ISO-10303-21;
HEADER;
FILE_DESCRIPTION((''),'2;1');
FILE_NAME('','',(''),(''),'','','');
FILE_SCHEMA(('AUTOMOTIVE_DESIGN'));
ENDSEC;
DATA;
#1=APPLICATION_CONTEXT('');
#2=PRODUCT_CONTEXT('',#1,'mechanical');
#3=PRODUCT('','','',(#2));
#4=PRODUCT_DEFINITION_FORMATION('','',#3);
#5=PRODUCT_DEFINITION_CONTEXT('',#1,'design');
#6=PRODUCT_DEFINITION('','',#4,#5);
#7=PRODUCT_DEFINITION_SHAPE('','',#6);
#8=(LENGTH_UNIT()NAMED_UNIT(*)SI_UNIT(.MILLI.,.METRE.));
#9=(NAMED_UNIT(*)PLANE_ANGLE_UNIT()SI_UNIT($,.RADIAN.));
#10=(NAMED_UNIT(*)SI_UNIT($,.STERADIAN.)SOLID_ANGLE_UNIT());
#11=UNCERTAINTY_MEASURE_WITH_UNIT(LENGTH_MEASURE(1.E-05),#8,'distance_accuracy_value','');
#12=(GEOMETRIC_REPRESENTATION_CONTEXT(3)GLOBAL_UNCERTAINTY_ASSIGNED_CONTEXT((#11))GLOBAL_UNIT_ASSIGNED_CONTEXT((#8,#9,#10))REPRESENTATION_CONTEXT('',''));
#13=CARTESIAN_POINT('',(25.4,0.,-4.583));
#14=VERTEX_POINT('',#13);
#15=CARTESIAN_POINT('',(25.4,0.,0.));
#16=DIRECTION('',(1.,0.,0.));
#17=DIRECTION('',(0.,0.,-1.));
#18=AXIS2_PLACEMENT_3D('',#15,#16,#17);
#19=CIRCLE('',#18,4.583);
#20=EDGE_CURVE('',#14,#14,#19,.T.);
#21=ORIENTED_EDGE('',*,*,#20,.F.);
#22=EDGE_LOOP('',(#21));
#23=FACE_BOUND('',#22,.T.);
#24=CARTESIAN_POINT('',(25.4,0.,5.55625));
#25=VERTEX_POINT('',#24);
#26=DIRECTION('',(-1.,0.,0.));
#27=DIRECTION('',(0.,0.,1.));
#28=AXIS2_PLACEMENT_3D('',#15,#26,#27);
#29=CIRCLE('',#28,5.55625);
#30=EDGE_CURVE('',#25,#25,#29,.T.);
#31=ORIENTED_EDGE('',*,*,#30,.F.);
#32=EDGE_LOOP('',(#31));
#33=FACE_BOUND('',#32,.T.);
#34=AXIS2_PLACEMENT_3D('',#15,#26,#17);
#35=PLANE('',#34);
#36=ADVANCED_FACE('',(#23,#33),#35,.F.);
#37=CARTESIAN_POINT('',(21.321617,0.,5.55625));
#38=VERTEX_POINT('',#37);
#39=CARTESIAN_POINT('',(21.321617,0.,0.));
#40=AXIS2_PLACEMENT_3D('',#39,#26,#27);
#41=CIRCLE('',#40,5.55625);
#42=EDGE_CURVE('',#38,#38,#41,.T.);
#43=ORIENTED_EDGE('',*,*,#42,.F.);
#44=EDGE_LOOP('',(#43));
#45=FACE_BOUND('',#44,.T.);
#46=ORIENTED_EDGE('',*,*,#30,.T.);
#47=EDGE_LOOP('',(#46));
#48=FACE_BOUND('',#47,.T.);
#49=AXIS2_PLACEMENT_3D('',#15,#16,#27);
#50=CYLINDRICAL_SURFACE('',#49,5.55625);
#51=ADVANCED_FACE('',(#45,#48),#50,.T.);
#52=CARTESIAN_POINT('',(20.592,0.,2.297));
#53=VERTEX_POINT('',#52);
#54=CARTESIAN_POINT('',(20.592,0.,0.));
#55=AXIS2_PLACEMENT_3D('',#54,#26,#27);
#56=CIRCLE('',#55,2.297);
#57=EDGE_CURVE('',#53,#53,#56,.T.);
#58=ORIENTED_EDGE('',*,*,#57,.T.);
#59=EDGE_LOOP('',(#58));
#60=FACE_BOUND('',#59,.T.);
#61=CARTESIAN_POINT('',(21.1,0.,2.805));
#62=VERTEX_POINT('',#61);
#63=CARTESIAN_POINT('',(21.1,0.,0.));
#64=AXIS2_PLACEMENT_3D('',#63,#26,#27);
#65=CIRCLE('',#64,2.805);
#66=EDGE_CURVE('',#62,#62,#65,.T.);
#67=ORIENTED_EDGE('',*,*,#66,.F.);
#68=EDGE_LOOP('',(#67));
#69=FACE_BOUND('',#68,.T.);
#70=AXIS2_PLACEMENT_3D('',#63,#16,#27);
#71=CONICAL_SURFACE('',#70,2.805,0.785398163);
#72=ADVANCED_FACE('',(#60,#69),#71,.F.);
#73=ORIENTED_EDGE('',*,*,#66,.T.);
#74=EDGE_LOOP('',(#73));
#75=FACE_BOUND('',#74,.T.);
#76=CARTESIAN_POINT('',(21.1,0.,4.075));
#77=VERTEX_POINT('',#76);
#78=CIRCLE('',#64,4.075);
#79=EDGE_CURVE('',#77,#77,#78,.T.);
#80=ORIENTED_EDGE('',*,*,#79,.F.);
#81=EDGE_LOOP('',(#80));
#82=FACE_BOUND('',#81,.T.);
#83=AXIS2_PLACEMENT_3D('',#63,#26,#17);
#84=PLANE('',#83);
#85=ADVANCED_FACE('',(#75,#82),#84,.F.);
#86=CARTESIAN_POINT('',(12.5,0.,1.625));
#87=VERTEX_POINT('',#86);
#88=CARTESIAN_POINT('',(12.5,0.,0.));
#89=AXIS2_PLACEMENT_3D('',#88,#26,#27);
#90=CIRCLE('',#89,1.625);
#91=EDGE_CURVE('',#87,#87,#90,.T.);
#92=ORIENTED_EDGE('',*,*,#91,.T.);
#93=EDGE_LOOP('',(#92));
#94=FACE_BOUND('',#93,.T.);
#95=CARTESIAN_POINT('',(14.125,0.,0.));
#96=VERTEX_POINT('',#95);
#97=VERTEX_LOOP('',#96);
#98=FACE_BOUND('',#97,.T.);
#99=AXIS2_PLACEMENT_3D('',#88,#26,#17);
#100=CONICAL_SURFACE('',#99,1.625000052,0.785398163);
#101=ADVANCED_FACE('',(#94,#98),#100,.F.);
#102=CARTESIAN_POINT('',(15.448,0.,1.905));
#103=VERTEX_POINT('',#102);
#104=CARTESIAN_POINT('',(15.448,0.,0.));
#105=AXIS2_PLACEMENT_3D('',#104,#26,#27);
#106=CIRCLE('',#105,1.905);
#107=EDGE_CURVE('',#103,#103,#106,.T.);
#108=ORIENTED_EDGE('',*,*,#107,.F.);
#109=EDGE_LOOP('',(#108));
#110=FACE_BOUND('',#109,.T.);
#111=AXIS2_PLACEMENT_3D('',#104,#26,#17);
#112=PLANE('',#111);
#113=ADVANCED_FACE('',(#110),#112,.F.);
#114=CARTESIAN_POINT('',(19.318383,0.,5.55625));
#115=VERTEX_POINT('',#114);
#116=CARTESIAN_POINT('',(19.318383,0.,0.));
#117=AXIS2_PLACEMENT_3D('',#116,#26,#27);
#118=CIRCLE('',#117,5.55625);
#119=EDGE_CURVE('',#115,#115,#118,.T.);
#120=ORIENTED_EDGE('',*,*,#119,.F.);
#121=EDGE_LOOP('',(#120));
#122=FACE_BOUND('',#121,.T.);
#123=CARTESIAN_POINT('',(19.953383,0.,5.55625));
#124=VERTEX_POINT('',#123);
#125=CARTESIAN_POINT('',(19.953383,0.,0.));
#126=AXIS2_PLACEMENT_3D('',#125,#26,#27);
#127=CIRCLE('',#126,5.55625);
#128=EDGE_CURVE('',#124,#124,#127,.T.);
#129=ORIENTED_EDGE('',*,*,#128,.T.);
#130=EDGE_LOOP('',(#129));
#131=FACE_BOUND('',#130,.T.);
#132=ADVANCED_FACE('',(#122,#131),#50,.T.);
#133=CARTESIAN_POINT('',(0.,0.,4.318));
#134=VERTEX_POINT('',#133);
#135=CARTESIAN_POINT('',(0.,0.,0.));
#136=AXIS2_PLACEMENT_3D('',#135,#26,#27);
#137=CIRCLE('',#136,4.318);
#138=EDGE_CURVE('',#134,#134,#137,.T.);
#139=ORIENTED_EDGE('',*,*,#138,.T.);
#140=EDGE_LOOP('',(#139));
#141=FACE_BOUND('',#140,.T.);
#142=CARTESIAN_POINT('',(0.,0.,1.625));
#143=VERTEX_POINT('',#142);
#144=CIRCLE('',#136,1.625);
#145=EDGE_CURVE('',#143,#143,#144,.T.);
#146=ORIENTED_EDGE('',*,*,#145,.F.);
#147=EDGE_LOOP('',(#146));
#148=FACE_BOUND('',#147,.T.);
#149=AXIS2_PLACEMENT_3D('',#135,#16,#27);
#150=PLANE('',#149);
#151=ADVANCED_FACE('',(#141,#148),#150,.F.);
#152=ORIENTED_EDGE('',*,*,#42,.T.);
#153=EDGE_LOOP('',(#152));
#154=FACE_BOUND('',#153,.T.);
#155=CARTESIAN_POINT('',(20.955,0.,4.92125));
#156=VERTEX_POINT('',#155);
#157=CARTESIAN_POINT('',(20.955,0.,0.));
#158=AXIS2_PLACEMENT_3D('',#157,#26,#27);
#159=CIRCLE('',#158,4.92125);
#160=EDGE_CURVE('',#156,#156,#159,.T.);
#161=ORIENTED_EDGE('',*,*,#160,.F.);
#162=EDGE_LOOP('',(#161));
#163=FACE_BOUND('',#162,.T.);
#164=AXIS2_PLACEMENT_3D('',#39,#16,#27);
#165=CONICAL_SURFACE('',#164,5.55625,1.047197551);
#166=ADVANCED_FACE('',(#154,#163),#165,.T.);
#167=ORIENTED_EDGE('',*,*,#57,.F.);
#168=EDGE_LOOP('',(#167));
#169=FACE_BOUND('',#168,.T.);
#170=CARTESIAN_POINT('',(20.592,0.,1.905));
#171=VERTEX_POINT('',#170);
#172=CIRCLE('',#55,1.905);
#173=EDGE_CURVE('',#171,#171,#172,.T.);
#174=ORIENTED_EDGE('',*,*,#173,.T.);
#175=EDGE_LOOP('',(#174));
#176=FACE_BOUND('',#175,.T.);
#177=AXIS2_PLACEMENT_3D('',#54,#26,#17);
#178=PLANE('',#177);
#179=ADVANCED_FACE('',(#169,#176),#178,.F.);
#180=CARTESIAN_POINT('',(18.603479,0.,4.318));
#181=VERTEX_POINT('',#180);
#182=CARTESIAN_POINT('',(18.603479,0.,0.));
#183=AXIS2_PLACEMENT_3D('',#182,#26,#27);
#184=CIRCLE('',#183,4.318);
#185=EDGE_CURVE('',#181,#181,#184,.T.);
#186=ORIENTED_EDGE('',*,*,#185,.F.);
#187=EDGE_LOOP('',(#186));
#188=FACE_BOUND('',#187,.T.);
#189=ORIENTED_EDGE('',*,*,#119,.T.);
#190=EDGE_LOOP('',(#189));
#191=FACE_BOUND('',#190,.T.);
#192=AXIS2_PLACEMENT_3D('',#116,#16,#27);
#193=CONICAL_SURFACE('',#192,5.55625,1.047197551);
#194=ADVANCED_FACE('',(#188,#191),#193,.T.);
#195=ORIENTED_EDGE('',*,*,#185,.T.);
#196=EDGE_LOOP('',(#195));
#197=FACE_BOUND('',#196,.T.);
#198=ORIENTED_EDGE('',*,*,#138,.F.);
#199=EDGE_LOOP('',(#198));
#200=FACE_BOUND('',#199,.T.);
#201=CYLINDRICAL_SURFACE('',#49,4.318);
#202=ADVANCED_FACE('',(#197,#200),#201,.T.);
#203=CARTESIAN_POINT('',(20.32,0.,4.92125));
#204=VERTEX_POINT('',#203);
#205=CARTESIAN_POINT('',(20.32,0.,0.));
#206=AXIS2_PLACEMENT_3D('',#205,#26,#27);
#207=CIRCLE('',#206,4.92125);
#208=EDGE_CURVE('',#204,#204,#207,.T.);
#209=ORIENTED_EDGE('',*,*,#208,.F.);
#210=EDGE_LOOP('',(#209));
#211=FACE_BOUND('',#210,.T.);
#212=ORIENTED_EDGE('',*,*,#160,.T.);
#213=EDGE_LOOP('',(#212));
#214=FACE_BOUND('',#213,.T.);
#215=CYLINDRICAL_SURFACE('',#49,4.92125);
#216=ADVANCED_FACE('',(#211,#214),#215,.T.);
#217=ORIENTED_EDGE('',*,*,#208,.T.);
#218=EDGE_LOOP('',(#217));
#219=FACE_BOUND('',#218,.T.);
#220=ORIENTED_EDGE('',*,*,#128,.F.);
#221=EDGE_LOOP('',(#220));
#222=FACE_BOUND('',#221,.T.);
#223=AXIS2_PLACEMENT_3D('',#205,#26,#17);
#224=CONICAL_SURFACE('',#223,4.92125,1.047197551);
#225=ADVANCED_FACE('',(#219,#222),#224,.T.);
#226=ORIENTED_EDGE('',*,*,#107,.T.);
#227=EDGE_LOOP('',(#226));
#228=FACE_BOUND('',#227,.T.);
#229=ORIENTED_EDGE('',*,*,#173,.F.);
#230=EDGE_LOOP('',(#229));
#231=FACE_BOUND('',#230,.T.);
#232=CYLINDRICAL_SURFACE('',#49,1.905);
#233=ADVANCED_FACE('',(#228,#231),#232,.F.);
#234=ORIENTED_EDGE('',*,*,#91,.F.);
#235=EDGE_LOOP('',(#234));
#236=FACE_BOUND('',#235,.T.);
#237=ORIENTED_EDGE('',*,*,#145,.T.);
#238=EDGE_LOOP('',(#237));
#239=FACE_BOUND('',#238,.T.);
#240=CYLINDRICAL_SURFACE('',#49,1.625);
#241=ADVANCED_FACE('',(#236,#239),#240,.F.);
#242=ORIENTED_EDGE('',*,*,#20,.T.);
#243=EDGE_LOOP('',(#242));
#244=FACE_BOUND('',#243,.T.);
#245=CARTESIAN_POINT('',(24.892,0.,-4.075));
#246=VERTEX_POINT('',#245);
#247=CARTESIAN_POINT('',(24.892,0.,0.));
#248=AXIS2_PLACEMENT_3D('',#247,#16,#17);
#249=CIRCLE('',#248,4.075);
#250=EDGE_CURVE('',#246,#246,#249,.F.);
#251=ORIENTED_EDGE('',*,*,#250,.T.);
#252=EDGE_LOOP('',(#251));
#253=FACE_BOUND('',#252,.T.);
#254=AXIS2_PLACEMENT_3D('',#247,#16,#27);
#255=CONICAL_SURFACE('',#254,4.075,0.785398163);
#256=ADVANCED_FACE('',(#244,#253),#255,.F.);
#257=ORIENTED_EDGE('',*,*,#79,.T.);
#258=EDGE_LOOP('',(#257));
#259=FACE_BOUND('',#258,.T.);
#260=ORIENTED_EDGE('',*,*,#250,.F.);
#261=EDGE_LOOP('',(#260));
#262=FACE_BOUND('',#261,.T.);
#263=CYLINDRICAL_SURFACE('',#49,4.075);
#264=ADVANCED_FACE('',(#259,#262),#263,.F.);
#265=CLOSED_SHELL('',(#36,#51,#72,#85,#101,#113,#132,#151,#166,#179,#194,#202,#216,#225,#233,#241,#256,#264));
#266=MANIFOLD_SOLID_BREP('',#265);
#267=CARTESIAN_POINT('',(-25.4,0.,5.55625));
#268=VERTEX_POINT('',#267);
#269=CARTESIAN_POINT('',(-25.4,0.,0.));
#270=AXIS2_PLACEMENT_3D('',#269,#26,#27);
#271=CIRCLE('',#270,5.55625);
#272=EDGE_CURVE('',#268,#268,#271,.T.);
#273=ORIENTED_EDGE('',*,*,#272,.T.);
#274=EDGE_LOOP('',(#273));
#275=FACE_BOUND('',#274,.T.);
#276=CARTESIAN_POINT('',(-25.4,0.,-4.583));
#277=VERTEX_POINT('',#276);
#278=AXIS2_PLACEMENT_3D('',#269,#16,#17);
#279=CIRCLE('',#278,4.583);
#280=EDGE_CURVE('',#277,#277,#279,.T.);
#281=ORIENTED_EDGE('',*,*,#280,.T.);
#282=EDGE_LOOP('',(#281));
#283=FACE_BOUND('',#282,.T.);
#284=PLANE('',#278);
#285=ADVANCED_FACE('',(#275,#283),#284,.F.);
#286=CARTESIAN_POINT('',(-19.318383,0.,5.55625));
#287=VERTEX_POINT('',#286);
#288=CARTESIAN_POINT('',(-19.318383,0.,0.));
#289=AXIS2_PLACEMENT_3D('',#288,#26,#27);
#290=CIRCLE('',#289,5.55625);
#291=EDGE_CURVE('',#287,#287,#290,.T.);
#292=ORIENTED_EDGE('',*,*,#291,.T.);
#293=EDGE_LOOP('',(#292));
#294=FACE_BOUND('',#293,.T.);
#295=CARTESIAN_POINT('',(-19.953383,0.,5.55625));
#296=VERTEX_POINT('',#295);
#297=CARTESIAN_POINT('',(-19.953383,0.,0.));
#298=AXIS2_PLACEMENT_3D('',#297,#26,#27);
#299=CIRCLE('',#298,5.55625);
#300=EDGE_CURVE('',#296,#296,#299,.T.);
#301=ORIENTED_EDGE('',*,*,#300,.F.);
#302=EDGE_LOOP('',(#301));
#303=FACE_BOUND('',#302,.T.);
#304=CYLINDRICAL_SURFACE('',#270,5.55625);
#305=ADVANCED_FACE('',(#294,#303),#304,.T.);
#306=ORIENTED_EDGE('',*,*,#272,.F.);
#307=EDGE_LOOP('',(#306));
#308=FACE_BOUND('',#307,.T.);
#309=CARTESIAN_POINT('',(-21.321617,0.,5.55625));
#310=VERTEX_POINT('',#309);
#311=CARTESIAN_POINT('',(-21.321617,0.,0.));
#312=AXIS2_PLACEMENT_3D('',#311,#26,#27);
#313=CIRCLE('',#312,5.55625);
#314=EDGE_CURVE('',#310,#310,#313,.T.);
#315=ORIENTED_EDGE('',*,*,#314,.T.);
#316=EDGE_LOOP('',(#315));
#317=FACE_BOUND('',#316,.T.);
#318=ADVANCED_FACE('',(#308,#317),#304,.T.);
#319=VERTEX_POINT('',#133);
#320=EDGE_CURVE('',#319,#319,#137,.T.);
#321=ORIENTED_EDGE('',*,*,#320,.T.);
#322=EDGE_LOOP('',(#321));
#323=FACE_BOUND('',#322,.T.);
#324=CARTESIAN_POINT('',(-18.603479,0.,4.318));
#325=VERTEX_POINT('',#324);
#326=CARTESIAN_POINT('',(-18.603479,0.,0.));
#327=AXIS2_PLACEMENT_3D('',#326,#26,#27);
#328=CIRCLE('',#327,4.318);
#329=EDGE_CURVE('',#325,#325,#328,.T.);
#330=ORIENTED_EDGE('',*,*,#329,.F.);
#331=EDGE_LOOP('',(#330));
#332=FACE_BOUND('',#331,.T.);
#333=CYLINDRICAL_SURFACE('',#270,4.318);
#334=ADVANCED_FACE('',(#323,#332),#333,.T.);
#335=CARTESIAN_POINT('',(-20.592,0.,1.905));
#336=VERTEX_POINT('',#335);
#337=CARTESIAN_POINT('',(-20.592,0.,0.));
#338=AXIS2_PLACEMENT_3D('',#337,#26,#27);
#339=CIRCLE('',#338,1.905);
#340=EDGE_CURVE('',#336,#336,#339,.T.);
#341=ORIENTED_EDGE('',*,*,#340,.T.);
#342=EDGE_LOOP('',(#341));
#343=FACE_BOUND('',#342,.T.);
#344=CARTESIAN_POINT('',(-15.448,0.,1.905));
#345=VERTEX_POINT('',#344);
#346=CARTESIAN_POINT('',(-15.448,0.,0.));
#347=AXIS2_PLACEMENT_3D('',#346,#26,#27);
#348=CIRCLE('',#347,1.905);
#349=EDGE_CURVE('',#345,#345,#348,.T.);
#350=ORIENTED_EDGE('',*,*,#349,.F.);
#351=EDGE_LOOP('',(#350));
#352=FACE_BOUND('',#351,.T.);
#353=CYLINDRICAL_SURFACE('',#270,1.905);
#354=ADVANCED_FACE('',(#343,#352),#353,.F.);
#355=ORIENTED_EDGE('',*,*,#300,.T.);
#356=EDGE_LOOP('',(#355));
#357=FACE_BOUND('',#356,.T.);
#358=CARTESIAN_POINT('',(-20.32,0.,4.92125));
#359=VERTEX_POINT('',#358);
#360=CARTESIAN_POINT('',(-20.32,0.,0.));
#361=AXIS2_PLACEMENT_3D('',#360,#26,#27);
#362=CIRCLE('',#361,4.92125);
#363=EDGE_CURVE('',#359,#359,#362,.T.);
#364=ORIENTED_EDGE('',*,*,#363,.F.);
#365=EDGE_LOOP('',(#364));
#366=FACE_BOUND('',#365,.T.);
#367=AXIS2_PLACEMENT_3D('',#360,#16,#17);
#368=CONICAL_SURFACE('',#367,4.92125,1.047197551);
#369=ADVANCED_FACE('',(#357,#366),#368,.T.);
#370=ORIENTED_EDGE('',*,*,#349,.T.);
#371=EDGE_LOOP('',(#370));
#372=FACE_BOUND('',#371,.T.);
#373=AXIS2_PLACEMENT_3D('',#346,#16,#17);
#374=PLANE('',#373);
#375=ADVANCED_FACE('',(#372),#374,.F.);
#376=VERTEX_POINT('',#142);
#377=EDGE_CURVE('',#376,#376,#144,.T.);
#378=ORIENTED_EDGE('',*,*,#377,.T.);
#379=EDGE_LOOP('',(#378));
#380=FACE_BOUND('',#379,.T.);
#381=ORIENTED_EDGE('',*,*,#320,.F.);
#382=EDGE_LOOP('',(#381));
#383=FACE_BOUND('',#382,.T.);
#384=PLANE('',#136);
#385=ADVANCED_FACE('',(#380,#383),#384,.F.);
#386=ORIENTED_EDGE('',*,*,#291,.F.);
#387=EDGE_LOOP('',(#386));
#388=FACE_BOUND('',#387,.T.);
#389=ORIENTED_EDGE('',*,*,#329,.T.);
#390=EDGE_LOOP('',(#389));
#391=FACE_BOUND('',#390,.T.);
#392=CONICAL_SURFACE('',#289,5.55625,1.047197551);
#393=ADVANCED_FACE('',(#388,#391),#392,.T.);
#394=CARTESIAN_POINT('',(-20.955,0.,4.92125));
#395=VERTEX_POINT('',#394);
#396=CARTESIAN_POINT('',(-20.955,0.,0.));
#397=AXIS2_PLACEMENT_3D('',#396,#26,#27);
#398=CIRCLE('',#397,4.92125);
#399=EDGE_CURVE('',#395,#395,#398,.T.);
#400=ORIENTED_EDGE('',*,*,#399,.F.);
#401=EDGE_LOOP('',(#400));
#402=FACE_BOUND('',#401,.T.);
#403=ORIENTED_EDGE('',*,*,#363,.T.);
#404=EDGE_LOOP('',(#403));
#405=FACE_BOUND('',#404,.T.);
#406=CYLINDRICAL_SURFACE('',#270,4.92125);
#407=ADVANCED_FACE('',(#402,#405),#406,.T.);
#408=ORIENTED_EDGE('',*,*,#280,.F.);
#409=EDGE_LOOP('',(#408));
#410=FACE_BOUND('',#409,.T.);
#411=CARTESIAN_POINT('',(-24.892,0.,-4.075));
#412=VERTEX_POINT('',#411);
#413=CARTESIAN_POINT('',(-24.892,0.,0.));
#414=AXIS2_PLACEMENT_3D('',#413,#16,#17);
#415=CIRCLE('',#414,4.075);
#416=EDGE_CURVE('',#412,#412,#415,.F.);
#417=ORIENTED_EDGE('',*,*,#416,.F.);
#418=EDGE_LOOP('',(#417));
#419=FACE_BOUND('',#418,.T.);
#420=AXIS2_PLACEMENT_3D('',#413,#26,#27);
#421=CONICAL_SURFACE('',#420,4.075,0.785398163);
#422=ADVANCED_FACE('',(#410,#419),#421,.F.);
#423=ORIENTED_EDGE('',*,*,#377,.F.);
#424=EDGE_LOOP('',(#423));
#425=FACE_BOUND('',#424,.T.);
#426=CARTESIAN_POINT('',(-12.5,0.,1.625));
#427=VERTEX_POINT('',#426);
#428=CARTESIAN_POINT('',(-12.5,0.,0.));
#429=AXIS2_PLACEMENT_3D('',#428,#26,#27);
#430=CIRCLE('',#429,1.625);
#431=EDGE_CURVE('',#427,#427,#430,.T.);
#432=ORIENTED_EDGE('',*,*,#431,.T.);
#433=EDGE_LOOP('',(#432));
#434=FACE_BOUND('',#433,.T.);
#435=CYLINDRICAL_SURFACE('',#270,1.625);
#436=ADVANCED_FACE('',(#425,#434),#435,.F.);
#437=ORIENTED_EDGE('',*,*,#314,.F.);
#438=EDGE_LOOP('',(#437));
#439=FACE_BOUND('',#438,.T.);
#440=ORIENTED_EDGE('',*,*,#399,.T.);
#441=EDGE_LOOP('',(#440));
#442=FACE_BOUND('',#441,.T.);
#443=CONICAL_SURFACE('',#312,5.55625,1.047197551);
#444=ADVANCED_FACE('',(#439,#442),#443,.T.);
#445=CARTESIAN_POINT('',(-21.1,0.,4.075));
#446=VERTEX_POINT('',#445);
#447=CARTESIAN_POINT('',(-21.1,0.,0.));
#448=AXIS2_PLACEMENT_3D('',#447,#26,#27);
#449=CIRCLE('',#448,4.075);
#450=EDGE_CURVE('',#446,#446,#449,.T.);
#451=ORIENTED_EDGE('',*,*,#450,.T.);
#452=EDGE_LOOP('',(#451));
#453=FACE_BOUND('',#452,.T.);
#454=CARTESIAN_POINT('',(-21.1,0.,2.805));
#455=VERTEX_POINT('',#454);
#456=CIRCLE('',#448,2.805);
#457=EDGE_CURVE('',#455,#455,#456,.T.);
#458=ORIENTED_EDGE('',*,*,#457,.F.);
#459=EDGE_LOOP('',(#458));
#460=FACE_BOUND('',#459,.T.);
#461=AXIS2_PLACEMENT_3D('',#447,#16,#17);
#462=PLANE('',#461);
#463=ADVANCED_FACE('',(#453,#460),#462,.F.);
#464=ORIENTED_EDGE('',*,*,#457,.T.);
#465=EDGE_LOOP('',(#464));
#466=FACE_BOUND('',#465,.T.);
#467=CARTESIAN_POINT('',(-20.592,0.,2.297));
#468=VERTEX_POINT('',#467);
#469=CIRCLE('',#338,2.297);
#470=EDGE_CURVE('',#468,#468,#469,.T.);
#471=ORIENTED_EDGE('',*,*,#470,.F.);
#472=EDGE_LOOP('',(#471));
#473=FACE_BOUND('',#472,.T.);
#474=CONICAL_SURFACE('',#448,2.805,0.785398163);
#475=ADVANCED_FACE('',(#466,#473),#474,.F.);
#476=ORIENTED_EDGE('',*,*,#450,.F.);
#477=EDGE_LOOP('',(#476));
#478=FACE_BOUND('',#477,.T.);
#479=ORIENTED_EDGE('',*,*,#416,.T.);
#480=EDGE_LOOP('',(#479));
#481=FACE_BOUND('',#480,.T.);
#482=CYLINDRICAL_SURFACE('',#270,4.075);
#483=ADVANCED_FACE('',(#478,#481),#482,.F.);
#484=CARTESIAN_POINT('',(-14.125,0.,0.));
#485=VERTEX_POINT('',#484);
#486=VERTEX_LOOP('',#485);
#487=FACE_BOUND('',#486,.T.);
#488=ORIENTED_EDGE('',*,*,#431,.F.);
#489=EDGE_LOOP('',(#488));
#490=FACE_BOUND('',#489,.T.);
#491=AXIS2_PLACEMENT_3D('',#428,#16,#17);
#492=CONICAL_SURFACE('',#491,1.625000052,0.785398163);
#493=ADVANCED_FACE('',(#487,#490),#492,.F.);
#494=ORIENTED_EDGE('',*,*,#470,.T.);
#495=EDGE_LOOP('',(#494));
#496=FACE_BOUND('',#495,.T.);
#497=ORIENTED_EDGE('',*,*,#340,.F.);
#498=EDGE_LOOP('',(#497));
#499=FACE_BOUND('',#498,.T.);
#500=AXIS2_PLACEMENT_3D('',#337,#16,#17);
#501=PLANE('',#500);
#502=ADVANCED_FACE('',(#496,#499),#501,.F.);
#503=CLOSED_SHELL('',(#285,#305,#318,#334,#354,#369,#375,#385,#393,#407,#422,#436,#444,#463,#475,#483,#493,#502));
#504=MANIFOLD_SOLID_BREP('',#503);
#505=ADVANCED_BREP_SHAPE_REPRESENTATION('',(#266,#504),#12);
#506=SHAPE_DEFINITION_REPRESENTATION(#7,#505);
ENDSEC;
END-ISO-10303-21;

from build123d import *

# Parameters (mm, degrees)
CHAMFER1_SIZE = 0.508


with BuildPart() as part:
    # Sketch2 → Revolve1 (revolve)
    with BuildSketch(Plane.XY, mode=Mode.PRIVATE) as revolve1_sk:
        Polygon((-21.321617421, 5.55625), (-25.4, 5.55625), (-25.4, 4.075), (-21.099999964, 4.075), (-21.099999964, 2.805), (-20.591999964, 2.297), (-20.591999964, 1.905), (-15.448, 1.905), (-15.448, 0), (-14.125000052, 0), (-12.5, 1.625000052), (0, 1.625000052), (0, 4.318), (-18.603478608, 4.318), (-19.318382579, 5.55625), (-19.953382579, 5.55625), (-20.32, 4.92125), (-20.955, 4.92125), align=None)
    revolve(revolve1_sk.sketch.rotate(Axis((-25.4, 0, 0), (1, 0, 0)), 90), axis=Axis((-25.4, 0, 0), (1, 0, 0)))

    # Chamfer1
    chamfer1_edges = [part.edges().sort_by_distance(p)[0] for p in [
        (-25.4, 0, -4.075),
    ]]
    chamfer(chamfer1_edges, length=CHAMFER1_SIZE)


with BuildPart() as body_2:
    # Mirror1: mirrored copy
    add(part.part.mirror(Plane(origin=(0, 0, 0), x_dir=(0, 0, 1), z_dir=(1, 0, 0))))


solid = Compound([part.part, body_2.part])
